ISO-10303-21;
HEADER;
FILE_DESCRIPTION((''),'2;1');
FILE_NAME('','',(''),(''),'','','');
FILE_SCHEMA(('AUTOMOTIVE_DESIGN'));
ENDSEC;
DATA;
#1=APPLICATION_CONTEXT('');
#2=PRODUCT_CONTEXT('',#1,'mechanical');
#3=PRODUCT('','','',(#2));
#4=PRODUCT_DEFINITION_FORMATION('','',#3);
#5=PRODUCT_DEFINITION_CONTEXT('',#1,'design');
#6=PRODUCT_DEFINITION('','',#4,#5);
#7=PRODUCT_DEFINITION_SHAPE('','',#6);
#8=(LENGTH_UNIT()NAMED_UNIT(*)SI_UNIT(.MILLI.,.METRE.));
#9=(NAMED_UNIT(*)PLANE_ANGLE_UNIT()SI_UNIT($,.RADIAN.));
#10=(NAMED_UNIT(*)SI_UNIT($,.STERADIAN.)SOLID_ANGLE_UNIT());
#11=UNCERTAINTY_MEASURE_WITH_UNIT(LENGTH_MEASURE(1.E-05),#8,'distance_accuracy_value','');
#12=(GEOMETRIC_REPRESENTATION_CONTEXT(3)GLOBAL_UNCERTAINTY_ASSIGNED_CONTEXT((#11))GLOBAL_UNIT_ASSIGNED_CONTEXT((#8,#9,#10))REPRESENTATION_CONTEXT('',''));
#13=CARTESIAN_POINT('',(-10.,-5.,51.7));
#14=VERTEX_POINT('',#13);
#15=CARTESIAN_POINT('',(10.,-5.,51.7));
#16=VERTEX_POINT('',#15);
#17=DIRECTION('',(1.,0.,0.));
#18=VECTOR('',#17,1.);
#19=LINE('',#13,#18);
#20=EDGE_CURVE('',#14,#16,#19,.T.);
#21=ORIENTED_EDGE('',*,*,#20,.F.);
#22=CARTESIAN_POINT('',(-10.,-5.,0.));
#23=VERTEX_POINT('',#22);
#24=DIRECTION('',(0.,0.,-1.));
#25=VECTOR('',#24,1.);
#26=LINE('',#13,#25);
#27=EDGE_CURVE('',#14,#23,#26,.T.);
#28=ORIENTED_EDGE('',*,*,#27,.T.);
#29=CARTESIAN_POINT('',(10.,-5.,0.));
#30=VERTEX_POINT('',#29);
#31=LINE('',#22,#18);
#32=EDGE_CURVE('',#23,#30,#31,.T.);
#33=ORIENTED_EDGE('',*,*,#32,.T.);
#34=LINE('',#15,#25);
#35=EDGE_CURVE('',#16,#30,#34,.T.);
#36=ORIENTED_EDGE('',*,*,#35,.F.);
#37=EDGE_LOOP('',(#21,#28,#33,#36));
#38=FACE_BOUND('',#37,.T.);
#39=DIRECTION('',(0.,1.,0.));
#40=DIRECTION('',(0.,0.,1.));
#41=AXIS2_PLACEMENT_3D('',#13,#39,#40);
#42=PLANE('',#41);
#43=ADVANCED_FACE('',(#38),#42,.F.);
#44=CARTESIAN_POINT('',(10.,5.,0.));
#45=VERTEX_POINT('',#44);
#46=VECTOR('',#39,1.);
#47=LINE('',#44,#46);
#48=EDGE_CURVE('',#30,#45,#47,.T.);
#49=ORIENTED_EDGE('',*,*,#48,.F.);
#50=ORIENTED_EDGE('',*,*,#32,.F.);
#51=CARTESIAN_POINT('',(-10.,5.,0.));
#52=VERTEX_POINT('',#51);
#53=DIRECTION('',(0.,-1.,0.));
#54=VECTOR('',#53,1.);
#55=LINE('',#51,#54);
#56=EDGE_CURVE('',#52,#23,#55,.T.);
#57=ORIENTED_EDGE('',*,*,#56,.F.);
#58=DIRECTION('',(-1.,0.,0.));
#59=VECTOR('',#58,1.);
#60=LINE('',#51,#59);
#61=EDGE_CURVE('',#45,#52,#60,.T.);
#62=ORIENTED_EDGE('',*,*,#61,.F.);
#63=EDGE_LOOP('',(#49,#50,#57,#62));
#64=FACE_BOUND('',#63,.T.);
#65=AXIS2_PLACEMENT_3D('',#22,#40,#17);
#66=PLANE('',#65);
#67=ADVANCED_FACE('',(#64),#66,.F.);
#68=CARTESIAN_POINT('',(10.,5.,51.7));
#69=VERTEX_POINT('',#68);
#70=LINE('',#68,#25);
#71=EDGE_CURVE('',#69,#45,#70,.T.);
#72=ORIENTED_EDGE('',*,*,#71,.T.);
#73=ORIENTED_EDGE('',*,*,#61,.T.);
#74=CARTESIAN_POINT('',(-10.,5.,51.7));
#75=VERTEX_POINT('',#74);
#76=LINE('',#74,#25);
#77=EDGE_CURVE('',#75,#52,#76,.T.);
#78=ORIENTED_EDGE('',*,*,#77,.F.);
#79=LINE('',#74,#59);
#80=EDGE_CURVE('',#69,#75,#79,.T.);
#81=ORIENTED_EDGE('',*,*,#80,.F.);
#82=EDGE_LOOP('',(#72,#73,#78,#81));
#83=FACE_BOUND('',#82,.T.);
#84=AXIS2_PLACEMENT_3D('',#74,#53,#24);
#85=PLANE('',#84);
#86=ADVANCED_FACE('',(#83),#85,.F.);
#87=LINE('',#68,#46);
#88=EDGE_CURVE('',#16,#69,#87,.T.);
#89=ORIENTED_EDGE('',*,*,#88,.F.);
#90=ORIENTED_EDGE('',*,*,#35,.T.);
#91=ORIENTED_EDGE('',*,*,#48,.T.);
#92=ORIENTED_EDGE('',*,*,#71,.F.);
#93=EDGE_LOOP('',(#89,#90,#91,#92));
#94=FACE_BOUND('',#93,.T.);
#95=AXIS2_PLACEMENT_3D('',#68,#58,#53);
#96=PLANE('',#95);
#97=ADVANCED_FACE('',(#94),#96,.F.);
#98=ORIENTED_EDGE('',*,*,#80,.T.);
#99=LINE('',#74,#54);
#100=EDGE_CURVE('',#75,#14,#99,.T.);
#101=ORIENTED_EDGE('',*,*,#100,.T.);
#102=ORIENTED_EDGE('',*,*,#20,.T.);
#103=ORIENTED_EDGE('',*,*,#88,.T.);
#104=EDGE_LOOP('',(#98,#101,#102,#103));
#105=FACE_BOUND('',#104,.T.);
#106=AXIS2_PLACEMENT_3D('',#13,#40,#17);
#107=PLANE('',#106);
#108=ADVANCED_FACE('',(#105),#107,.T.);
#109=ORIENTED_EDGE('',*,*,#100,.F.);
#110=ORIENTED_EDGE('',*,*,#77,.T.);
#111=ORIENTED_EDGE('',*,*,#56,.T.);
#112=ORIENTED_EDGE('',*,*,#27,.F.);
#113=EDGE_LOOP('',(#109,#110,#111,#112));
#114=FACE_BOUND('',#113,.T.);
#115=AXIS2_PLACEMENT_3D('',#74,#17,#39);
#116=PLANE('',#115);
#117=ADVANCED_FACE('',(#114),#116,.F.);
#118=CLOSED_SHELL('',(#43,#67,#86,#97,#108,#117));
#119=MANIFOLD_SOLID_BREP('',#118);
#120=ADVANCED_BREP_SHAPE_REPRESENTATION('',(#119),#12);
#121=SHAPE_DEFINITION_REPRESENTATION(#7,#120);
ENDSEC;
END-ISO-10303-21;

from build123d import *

# Parameters (mm, degrees)
SKETCH_1_W      = 20
SKETCH_1_H      = 10
EXTRUDE_1_DEPTH = 51.7


with BuildPart() as part:
    # Эскиз1 → Вытянуть1 (new body)
    with BuildSketch(Plane.XY):
        Rectangle(SKETCH_1_W, SKETCH_1_H)
    extrude(amount=EXTRUDE_1_DEPTH)


solid = part.part
